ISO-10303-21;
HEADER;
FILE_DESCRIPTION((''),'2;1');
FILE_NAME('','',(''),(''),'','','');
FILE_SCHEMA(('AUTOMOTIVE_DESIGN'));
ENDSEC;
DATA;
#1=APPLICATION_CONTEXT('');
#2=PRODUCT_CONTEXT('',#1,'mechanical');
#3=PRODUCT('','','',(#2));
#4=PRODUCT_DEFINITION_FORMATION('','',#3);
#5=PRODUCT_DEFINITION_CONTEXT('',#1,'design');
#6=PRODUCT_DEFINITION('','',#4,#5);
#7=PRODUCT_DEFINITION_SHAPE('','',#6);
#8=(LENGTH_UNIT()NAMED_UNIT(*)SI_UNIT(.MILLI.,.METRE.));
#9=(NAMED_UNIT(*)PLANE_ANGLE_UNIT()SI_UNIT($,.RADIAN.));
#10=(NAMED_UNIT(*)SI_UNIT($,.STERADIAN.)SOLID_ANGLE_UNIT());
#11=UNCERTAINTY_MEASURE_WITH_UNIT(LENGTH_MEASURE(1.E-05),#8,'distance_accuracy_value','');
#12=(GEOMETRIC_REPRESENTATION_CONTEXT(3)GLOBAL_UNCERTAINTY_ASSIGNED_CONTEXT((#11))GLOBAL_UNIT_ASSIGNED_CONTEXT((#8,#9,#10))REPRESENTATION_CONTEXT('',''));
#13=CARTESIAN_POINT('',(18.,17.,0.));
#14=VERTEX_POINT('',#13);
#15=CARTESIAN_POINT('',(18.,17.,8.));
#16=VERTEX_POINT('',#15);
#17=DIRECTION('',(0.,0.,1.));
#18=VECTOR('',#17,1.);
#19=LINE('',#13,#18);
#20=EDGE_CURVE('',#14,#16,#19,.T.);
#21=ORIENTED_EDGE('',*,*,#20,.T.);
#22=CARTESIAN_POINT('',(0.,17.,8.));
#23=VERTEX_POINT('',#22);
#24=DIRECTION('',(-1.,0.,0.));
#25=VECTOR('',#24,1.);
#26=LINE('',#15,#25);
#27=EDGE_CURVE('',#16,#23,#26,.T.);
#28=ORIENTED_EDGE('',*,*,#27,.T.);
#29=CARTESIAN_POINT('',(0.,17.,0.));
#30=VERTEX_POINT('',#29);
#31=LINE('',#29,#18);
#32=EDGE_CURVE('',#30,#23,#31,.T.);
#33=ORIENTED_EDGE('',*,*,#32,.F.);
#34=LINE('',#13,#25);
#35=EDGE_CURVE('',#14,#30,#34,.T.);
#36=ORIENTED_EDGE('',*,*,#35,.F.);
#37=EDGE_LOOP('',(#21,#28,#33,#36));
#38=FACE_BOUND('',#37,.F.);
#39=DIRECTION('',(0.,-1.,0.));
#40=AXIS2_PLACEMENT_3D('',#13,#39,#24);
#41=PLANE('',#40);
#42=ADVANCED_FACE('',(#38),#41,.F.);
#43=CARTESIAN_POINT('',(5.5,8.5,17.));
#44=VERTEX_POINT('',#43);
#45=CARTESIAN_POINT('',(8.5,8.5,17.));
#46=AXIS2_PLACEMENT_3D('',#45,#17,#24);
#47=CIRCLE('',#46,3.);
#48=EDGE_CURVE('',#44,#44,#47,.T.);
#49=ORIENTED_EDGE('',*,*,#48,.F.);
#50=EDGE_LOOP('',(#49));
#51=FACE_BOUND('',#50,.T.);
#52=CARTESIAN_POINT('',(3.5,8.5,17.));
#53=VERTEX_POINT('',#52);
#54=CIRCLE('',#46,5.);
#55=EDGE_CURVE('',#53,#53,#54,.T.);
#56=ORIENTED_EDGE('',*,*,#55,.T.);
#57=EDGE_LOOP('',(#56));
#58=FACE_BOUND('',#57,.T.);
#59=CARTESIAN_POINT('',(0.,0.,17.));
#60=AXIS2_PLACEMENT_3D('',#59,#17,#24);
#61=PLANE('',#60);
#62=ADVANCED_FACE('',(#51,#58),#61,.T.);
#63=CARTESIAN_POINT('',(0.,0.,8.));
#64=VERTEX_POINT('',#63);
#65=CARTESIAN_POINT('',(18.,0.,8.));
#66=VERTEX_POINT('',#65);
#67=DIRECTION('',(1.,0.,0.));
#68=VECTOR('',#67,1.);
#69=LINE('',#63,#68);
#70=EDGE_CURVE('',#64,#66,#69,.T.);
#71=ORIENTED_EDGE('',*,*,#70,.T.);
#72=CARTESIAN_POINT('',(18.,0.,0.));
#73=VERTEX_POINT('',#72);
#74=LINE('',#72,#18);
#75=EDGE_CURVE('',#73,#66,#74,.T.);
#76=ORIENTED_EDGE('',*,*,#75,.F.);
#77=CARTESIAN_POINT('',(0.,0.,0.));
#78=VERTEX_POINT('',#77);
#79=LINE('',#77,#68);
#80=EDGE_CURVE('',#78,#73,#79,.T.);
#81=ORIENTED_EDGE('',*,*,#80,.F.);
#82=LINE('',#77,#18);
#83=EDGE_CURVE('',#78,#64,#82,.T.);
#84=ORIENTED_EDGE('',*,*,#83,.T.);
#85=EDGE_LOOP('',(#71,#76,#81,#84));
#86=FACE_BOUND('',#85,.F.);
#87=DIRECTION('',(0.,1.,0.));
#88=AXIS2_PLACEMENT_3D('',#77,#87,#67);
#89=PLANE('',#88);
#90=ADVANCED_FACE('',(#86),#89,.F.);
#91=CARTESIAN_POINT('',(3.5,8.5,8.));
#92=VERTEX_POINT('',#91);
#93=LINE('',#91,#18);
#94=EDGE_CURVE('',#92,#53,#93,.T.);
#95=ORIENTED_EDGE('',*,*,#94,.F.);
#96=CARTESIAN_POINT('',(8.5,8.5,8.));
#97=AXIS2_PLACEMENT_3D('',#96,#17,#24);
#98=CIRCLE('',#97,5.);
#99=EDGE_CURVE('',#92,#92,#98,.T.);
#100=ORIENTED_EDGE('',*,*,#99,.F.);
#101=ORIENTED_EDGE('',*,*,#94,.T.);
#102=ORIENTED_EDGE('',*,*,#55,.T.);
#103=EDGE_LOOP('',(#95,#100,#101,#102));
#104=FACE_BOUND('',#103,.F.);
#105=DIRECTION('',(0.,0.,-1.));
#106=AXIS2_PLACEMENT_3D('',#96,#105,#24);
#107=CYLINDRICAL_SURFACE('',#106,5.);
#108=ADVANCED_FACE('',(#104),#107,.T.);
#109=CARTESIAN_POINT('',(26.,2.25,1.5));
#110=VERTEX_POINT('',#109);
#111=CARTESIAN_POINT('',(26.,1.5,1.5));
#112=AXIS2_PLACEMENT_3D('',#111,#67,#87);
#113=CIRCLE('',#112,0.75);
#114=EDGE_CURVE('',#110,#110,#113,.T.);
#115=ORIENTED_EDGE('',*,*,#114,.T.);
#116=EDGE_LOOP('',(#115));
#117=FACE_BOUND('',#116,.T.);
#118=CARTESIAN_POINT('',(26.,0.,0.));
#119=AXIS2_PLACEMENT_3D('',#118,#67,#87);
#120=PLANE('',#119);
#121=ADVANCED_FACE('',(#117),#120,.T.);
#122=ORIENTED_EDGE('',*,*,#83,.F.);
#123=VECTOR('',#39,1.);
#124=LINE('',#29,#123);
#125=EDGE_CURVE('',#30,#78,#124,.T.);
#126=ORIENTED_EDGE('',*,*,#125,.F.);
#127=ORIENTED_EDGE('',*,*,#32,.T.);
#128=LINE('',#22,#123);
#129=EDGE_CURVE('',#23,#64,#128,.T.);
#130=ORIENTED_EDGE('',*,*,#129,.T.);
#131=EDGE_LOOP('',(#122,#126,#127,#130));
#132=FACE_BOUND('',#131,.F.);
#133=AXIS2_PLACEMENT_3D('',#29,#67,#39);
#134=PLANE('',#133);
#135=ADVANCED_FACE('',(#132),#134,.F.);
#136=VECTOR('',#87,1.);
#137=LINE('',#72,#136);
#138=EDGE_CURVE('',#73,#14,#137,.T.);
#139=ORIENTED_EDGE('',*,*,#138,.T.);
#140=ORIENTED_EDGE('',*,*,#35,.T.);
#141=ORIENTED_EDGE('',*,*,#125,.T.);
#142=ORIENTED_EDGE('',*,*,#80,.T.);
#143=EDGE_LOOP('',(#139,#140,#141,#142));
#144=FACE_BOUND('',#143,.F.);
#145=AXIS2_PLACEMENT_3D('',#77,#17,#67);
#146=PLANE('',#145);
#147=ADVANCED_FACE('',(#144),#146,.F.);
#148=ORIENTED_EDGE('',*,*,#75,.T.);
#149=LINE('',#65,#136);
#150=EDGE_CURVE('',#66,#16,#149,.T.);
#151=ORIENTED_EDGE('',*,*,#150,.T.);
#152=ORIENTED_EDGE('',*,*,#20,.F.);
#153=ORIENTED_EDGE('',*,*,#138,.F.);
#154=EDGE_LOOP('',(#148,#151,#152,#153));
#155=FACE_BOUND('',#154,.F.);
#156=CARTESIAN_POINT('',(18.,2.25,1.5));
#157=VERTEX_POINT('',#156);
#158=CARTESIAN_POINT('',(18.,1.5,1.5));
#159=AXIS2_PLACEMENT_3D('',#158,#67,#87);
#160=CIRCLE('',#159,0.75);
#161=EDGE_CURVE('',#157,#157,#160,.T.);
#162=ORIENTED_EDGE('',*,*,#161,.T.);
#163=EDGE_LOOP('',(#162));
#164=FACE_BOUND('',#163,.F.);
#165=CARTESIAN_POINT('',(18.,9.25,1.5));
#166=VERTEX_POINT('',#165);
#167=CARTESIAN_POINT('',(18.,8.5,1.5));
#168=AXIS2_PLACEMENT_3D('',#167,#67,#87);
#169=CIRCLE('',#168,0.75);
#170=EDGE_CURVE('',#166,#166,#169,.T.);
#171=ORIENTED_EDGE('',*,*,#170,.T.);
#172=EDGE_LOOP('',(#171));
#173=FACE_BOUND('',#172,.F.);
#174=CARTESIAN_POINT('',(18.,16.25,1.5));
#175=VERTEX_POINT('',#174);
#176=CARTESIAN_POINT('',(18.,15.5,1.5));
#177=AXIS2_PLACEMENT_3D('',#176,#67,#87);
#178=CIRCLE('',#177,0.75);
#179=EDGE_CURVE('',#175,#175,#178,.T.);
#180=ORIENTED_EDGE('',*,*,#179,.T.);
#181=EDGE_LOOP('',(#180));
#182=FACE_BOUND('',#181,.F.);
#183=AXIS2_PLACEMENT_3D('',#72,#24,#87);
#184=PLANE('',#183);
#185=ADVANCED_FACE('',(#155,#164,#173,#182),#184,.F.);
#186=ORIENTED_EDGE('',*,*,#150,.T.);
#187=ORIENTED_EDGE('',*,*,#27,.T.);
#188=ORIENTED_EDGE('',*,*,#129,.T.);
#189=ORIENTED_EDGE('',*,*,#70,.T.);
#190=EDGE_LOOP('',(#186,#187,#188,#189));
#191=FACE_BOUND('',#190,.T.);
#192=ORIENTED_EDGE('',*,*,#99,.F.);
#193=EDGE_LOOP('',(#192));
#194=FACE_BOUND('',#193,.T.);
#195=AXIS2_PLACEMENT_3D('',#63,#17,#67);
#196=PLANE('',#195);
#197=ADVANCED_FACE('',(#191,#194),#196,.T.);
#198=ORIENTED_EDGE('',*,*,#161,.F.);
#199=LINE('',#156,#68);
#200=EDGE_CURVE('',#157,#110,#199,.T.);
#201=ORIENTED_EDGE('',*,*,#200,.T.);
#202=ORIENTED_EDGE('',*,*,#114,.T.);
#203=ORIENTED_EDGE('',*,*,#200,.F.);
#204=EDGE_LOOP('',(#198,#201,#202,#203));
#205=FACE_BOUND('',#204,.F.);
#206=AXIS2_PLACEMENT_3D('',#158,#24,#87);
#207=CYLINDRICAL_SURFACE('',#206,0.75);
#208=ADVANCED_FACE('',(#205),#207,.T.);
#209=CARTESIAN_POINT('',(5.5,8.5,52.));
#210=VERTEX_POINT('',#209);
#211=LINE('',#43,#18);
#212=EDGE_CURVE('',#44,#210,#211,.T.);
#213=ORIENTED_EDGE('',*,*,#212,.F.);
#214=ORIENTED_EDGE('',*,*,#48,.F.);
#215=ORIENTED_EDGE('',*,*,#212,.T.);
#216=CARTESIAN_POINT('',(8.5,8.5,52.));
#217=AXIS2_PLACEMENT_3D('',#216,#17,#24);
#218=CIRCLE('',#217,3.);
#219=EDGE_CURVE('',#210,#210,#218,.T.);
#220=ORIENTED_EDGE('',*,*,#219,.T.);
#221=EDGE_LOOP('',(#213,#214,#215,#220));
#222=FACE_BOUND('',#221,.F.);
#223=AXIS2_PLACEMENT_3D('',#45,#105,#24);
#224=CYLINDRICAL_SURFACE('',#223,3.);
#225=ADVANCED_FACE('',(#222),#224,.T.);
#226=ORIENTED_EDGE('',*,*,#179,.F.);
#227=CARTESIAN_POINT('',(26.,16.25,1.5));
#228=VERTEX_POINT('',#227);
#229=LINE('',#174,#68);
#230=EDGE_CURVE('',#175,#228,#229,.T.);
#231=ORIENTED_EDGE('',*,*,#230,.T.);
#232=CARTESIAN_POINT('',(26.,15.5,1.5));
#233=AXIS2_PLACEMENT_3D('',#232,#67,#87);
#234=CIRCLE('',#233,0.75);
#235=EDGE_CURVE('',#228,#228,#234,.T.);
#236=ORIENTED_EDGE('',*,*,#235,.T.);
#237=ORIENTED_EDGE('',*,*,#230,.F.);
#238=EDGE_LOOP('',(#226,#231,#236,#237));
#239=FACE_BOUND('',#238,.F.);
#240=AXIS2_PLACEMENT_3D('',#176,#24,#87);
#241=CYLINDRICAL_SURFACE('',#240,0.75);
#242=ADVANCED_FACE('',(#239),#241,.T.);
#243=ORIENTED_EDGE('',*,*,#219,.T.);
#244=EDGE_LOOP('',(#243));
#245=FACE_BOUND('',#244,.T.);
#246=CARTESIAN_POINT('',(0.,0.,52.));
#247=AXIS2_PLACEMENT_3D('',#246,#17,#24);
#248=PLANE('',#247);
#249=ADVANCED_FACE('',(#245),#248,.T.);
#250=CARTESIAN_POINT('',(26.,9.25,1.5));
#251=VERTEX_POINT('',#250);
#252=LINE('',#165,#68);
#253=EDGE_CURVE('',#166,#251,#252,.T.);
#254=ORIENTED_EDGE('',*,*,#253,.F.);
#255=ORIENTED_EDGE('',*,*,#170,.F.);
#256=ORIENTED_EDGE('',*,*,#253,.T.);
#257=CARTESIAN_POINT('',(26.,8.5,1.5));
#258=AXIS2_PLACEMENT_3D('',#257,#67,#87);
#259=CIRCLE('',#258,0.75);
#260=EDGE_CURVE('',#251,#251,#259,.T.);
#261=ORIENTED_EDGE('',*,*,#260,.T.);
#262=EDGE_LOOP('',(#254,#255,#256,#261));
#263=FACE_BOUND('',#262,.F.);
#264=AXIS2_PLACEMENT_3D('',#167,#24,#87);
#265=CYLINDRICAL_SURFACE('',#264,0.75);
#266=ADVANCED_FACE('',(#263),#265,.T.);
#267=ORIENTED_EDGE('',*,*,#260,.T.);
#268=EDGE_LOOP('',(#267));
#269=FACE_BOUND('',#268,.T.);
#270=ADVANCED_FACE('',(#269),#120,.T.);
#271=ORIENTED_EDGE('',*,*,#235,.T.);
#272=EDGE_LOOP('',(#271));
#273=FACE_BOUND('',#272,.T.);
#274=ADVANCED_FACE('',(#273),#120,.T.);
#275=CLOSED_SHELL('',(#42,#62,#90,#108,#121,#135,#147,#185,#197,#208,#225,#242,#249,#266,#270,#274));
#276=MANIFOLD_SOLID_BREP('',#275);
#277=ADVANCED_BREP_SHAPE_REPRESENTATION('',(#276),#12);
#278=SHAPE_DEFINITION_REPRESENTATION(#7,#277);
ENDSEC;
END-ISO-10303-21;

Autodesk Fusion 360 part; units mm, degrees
sketch "base" plane through (0, 0, 0) normal (0, 0, 1) x (1, 0, 0)
  line L0 (0, 0) -> (18, 0)
  line L1 (18, 0) -> (18, 17)
  line L2 (18, 17) -> (0, 17)
  line L3 (0, 17) -> (0, 0)
  dimension "d1" = 17
  dimension "d2" = 18
extrude "Extrude1" add sketch "base" along normal blind 8
sketch "pins" plane through (18, 0, 0) normal (1, 0, 0) x (0, 1, 0)
  line L0 (0, 0) -> (17, 0)
  line L1 (17, 0) -> (17, 8)
  line L2 (17, 8) -> (0, 8)
  line L3 (0, 8) -> (0, 0)
  circle A0 centre (1.5, 1.5) radius 0.75
  circle A1 centre (8.5, 1.5) radius 0.75
  circle A2 centre (15.5, 1.5) radius 0.75
  dimension "d5" = 1.5
  dimension "d6" = 1.5
  dimension "d7" = 1.5
  dimension "d12" = 14
  dimension "d13" = 0
extrude "Extrude3" add sketch "pins" along normal blind 8 contours A0 | A1 | A2
sketch "base knob" plane through (0, 0, 8) normal (0, 0, 1) x (-1, 0, 0)
  line L0 (0, -17) -> (0, 0)
  line L1 (0, 0) -> (-18, 0)
  line L2 (-18, 0) -> (-18, -17)
  line L3 (-18, -17) -> (0, -17)
  circle A0 centre (-8.5, -8.5) radius 5
  dimension "d16" = 10
  dimension "d17" = 8.5
  dimension "d18" = 8.5
extrude "Extrude4" add sketch "base knob" along normal blind 9 contours A0
sketch "knob" plane through (0, 0, 17) normal (0, 0, 1) x (-1, 0, 0)
  circle A0 centre (-8.5, -8.5) radius 5
  circle A1 centre (-8.5, -8.5) radius 3
  dimension "d21" = 6
extrude "Extrude5" add sketch "knob" along normal blind 35 contours A1
equation "d18 = d17"
